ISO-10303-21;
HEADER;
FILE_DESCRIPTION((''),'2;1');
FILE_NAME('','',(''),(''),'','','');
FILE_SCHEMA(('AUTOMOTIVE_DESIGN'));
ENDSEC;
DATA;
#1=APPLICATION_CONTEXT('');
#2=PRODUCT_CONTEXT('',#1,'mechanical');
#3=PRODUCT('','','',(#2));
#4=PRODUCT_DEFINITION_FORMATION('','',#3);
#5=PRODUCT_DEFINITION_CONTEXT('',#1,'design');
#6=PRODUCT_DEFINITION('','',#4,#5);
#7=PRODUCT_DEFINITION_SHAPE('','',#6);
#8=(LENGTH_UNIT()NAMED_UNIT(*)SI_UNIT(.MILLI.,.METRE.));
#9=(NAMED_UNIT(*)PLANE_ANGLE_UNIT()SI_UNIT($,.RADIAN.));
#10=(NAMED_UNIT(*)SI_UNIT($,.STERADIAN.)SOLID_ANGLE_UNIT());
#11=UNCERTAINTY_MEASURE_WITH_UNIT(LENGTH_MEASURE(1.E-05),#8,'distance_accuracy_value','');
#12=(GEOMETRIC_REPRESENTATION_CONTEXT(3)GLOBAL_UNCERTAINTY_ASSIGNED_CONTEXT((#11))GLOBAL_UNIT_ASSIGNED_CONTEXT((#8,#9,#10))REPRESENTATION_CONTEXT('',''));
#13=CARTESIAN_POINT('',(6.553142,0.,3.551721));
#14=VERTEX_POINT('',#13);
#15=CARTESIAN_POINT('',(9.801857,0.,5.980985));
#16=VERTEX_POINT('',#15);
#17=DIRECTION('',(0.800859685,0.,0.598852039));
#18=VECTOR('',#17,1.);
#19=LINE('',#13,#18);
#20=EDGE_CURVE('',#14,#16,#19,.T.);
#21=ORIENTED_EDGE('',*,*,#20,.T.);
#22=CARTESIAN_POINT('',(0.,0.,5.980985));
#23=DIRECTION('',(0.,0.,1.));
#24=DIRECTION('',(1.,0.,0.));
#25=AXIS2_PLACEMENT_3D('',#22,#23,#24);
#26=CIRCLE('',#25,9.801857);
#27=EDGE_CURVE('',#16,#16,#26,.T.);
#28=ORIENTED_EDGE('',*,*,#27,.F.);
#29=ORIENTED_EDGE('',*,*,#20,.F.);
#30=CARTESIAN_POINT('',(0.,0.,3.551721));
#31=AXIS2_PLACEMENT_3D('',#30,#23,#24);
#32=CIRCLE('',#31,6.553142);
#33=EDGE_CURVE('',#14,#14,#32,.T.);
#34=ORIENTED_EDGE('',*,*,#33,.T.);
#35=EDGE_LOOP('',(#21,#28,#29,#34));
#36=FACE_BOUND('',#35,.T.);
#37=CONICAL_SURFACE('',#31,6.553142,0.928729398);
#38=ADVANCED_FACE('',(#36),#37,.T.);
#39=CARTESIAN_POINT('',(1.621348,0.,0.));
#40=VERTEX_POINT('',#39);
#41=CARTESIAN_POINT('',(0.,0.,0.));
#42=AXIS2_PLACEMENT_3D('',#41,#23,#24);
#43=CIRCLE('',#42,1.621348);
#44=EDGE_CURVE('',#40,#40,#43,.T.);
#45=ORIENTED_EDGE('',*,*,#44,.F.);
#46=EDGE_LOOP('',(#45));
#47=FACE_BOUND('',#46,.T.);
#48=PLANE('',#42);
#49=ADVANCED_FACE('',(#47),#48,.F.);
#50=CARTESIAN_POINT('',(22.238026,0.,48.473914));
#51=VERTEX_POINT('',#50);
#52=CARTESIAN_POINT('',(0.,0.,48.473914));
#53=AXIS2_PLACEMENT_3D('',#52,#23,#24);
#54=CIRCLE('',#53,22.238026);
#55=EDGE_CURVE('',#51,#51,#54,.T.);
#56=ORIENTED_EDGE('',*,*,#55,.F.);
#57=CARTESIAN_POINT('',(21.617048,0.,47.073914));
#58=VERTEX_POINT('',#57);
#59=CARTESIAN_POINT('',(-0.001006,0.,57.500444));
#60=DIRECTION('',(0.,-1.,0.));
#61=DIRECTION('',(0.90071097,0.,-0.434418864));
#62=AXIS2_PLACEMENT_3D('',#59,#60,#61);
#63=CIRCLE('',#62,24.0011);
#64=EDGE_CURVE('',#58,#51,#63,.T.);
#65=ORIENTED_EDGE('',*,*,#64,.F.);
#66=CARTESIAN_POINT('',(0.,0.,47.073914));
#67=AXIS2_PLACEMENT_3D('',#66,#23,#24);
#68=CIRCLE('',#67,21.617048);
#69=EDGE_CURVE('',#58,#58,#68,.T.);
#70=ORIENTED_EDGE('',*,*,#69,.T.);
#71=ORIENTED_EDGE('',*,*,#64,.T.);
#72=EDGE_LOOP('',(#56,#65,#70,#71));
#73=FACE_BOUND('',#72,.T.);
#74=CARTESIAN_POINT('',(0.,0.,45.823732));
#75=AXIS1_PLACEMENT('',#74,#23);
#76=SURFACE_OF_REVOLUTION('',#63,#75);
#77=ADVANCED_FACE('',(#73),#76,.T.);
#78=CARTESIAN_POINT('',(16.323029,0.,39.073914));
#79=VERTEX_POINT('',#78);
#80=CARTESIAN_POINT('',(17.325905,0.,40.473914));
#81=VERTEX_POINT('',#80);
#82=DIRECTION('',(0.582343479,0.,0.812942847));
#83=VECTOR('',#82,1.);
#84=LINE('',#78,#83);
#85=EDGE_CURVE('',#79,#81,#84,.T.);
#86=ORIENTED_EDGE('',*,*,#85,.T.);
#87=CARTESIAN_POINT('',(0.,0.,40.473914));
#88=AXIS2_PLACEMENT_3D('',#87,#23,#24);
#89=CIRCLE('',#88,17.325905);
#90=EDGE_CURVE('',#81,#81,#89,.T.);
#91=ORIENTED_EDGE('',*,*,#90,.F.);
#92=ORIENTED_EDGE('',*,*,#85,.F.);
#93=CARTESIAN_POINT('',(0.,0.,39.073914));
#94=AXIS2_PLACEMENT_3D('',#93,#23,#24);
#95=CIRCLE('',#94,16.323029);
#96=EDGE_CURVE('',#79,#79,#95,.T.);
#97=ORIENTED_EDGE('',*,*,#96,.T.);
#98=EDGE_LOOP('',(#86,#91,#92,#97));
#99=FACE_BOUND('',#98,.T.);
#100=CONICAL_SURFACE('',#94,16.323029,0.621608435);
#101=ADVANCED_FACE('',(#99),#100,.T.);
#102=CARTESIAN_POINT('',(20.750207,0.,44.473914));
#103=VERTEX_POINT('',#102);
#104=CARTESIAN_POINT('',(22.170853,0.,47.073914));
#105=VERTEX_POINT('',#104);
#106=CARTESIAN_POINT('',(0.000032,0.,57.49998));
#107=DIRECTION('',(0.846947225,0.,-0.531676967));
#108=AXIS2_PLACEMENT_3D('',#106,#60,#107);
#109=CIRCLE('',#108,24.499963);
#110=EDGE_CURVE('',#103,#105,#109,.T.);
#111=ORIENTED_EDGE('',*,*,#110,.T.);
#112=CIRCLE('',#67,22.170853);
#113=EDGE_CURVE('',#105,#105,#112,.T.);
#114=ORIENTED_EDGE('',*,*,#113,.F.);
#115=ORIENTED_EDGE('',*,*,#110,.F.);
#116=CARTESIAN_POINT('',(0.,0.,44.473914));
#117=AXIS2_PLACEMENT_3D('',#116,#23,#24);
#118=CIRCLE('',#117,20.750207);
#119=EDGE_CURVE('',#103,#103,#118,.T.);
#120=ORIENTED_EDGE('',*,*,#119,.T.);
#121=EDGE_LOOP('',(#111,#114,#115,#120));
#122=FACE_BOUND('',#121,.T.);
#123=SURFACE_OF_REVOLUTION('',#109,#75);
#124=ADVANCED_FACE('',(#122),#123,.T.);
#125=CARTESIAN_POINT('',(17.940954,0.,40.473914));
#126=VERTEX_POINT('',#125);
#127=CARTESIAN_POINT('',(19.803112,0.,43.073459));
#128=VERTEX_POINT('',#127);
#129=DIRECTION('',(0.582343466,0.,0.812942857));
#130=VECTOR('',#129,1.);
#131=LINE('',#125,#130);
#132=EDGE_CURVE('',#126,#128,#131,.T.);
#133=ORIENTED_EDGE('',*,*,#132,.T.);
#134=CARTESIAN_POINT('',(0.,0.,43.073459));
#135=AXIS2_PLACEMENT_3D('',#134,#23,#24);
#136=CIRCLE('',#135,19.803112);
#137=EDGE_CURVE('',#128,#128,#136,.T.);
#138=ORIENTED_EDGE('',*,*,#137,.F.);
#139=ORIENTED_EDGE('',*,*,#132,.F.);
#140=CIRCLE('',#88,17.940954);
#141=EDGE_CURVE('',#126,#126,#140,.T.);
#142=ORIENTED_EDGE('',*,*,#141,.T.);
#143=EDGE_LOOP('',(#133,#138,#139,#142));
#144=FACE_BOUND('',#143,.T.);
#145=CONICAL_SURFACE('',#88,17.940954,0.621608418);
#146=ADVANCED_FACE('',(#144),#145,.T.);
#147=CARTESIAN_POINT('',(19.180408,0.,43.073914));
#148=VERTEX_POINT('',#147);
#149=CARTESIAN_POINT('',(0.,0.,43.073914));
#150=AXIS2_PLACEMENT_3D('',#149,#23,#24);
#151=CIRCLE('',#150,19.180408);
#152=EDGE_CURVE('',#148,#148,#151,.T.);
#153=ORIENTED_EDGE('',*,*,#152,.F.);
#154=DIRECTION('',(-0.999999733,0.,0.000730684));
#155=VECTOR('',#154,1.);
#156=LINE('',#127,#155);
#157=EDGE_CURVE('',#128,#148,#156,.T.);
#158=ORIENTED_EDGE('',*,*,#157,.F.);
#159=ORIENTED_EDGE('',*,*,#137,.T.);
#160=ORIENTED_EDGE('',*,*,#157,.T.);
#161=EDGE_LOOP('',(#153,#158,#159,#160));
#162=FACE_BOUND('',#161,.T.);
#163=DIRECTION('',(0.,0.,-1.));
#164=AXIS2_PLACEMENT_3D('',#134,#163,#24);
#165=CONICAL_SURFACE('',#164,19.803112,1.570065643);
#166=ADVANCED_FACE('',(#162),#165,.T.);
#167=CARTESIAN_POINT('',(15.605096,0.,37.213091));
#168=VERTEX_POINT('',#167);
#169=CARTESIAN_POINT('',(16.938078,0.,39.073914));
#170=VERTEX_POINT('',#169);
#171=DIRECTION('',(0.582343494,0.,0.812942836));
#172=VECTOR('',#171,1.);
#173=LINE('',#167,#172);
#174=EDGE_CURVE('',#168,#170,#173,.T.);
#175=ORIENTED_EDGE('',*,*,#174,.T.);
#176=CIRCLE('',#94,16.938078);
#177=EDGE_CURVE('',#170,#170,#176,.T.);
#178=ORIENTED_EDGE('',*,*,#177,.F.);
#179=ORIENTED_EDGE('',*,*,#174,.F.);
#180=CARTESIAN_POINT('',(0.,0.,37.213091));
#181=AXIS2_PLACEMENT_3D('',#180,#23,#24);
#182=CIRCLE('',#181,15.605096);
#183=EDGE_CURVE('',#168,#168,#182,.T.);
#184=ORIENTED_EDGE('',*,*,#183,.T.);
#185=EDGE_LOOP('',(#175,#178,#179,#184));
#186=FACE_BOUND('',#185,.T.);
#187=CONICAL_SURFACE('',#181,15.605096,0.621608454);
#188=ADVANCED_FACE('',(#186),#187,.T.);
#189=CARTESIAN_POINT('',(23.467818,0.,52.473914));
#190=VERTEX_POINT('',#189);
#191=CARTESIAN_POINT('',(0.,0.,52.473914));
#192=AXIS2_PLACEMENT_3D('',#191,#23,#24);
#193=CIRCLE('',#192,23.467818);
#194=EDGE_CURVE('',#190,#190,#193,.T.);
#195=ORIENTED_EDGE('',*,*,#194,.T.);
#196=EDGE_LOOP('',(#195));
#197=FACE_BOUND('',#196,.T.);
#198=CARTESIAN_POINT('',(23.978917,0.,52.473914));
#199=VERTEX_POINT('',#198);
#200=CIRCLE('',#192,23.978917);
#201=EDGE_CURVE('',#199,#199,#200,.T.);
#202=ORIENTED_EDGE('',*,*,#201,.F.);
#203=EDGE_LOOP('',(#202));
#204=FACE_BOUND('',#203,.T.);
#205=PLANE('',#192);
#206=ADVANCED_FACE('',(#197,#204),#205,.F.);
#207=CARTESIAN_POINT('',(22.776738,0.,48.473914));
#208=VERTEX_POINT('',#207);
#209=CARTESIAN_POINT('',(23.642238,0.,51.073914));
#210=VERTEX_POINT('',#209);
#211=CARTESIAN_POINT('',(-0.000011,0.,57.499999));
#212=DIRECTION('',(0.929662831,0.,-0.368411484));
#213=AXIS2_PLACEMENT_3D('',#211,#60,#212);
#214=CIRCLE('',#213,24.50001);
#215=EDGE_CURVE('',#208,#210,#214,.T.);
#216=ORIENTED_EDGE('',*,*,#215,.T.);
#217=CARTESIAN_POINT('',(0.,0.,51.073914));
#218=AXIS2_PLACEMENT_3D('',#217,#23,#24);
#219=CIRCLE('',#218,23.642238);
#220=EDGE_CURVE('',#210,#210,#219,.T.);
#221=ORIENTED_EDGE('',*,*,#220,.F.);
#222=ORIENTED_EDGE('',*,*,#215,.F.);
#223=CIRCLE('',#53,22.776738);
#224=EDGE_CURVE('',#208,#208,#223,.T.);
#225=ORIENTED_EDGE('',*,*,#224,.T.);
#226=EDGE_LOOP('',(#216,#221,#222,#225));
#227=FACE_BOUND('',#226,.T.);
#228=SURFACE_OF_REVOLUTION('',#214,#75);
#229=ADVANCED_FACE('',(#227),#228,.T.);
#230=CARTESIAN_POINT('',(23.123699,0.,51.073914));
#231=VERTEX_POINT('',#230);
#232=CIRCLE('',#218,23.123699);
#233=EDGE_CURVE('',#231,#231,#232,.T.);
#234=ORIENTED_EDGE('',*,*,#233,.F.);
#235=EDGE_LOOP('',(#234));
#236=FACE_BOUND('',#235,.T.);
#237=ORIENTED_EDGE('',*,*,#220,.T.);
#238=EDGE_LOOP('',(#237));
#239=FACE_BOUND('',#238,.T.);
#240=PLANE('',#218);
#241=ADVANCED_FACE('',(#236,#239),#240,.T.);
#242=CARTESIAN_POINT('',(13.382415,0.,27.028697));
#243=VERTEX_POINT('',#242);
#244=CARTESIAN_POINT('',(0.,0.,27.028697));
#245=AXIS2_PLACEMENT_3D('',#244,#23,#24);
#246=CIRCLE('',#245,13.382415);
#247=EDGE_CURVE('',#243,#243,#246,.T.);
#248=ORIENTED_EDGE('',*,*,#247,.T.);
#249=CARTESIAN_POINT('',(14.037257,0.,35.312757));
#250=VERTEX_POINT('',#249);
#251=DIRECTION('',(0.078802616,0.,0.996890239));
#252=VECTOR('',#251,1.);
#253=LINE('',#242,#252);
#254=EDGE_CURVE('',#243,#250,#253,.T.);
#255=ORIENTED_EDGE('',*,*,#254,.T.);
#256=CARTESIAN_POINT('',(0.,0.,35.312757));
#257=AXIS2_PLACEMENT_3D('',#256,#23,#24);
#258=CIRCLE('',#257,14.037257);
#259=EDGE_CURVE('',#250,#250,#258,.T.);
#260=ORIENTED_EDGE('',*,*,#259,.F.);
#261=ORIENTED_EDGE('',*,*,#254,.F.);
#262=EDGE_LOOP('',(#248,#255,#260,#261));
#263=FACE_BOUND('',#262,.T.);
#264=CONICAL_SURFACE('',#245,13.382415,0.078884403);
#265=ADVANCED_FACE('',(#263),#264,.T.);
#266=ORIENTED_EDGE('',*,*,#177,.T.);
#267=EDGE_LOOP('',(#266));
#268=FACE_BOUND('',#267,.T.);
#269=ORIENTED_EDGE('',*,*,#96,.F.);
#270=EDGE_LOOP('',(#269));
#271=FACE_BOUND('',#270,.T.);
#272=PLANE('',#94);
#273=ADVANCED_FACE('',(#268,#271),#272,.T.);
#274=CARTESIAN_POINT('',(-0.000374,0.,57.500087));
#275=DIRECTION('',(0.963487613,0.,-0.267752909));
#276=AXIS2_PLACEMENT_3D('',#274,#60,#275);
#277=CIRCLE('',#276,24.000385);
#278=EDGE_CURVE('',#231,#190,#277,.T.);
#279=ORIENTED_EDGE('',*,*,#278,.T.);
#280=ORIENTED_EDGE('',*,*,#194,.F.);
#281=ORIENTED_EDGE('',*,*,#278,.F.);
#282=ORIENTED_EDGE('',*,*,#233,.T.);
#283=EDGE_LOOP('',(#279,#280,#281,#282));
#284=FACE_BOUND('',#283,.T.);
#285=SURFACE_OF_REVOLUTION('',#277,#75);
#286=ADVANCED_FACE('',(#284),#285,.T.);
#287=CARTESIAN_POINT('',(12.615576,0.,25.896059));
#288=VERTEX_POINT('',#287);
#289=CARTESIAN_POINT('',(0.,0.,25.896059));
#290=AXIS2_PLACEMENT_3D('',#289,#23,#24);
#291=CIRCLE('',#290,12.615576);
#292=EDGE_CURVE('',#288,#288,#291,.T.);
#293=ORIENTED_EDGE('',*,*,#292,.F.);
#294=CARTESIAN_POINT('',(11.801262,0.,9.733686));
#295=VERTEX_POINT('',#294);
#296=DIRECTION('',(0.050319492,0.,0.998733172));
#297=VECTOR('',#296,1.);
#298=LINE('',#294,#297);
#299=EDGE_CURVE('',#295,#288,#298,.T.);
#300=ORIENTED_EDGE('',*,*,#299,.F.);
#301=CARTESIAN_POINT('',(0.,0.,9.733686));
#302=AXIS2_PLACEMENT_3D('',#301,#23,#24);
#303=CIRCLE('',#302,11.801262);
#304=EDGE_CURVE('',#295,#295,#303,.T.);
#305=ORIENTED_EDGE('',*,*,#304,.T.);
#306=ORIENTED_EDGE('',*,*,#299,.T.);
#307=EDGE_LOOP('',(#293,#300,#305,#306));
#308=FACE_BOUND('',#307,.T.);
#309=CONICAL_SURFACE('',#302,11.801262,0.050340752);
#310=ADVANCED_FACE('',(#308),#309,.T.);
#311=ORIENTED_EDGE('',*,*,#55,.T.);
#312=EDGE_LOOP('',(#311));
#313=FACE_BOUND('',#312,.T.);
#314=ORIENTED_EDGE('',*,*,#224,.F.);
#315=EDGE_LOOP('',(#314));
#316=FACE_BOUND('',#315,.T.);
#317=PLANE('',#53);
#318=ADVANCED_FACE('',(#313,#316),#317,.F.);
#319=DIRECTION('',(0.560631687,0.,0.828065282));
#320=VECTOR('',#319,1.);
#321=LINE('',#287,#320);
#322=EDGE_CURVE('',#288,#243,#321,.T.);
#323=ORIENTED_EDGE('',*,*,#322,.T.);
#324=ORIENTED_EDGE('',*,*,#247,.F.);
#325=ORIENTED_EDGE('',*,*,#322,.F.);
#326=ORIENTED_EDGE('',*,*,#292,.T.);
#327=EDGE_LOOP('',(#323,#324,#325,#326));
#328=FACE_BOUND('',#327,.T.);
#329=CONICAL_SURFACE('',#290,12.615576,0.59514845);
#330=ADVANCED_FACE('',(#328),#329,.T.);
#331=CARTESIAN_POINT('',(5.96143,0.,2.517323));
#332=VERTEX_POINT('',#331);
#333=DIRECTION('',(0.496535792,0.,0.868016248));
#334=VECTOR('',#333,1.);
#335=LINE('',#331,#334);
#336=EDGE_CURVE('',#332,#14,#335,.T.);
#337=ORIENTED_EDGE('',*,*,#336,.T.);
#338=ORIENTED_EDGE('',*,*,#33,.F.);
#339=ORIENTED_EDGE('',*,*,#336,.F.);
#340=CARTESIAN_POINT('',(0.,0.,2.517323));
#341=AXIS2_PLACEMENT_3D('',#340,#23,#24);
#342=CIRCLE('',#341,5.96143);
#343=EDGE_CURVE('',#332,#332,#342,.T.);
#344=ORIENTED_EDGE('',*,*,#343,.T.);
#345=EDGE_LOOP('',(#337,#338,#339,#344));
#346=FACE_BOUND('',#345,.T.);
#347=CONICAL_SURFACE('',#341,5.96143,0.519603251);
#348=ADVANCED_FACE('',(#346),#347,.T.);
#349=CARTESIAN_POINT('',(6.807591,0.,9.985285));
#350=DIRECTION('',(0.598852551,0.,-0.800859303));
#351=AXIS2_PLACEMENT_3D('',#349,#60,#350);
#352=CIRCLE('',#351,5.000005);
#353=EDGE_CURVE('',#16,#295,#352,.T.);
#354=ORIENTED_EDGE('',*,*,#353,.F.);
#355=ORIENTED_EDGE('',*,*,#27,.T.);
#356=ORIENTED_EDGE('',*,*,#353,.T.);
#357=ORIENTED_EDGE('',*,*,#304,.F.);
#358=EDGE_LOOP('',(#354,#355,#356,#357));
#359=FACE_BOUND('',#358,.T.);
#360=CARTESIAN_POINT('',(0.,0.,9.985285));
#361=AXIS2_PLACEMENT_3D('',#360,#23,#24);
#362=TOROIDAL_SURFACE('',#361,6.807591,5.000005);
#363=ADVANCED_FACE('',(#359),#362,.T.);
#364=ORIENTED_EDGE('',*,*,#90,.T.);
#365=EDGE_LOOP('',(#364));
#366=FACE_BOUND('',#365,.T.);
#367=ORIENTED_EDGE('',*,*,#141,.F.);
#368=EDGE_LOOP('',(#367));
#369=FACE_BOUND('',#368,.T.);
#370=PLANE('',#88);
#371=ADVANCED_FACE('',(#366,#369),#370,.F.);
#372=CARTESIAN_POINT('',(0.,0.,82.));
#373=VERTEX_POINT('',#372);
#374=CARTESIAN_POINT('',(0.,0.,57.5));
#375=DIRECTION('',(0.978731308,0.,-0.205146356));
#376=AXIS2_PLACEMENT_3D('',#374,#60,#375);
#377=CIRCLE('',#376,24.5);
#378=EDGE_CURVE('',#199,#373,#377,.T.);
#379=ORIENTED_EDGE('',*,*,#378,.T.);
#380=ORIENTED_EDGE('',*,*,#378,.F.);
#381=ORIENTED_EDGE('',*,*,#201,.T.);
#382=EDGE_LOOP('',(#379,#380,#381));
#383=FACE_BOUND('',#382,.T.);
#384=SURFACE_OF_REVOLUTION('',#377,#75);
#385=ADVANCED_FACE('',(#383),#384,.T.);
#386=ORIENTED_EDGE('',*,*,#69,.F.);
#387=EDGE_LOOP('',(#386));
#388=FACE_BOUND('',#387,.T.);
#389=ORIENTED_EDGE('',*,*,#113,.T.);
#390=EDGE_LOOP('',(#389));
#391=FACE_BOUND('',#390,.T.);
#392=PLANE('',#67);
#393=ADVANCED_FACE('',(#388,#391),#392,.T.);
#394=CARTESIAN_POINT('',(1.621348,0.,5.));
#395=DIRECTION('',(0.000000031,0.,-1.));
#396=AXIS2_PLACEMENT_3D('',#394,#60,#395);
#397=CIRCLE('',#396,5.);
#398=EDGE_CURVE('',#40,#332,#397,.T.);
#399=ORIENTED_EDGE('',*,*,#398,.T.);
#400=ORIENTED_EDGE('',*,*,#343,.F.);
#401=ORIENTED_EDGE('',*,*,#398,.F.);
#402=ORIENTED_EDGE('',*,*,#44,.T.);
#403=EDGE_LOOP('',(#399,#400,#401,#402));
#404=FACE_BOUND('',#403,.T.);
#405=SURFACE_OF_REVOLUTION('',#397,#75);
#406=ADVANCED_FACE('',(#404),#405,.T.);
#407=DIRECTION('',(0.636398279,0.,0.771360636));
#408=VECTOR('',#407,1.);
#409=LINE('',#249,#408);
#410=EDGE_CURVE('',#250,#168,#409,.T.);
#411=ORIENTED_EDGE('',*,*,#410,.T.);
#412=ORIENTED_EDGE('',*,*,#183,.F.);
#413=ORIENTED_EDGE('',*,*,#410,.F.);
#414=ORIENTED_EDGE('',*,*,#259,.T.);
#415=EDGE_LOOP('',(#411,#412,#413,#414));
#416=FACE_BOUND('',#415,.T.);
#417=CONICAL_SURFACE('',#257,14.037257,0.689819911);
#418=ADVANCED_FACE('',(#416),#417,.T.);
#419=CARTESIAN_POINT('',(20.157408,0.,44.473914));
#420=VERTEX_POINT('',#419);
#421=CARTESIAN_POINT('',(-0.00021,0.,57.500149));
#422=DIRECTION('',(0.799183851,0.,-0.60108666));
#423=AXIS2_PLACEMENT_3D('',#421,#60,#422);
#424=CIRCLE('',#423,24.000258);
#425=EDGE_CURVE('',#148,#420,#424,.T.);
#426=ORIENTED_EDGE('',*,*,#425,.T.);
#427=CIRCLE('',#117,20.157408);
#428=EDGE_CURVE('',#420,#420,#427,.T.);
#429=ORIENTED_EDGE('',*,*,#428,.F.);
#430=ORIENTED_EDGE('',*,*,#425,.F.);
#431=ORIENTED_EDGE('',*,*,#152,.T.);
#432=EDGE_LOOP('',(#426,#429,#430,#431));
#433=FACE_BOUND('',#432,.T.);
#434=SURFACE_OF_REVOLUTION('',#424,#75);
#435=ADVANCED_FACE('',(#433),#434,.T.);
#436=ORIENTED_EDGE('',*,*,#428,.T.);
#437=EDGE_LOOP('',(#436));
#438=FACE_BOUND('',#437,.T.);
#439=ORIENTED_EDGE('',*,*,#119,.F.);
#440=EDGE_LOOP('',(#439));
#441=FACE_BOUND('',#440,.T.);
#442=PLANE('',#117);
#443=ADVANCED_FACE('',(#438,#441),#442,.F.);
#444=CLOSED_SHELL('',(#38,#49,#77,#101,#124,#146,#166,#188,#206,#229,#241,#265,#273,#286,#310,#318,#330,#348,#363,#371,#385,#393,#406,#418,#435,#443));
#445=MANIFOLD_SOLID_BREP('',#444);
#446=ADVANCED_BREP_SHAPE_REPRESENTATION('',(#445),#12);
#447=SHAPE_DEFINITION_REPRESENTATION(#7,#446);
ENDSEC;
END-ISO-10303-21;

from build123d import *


with BuildPart() as f1:
    # F0 (on Front) → F1 (revolve)
    with BuildSketch(Plane.XZ):
        with BuildLine():
            Line((0, 82), (0, 0))
            Line((0, 0), (1.621348, 0))
            ThreePointArc((1.621348, 0), (4.129995, 0.674877), (5.96143, 2.517323))
            Line((5.96143, 2.517323), (6.553142, 3.551721))
            Line((6.553142, 3.551721), (9.801857, 5.980985))
            ThreePointArc((9.801857, 5.980985), (11.220354, 7.634206), (11.801262, 9.733686))
            Line((11.801262, 9.733686), (12.615576, 25.896059))
            Line((12.615576, 25.896059), (13.382415, 27.028697))
            Line((13.382415, 27.028697), (14.037257, 35.312757))
            Line((14.037257, 35.312757), (15.605096, 37.213091))
            Line((15.605096, 37.213091), (16.938078, 39.073914))
            Line((16.938078, 39.073914), (16.323029, 39.073914))
            Line((16.323029, 39.073914), (17.325905, 40.473914))
            Line((17.325905, 40.473914), (17.940954, 40.473914))
            Line((17.940954, 40.473914), (19.803112, 43.073459))
            Line((19.803112, 43.073459), (19.180408, 43.073914))
            ThreePointArc((19.180408, 43.073914), (19.68136, 43.765224), (20.157408, 44.473914))
            Line((20.157408, 44.473914), (20.750207, 44.473914))
            ThreePointArc((20.750207, 44.473914), (21.499869, 45.75242), (22.170853, 47.073914))
            Line((22.170853, 47.073914), (21.617048, 47.073914))
            ThreePointArc((21.617048, 47.073914), (21.938707, 47.76896), (22.238026, 48.473914))
            Line((22.238026, 48.473914), (22.776738, 48.473914))
            ThreePointArc((22.776738, 48.473914), (23.245867, 49.761804), (23.642238, 51.073914))
            Line((23.642238, 51.073914), (23.123699, 51.073914))
            ThreePointArc((23.123699, 51.073914), (23.306273, 51.77133), (23.467818, 52.473914))
            Line((23.467818, 52.473914), (23.978917, 52.473914))
            ThreePointArc((23.978917, 52.473914), (19.018269, 72.94524), (0, 82))
        make_face()
    revolve(axis=Axis((0, 0, 45.823732), (0, 0, 1)))


solid = f1.part
